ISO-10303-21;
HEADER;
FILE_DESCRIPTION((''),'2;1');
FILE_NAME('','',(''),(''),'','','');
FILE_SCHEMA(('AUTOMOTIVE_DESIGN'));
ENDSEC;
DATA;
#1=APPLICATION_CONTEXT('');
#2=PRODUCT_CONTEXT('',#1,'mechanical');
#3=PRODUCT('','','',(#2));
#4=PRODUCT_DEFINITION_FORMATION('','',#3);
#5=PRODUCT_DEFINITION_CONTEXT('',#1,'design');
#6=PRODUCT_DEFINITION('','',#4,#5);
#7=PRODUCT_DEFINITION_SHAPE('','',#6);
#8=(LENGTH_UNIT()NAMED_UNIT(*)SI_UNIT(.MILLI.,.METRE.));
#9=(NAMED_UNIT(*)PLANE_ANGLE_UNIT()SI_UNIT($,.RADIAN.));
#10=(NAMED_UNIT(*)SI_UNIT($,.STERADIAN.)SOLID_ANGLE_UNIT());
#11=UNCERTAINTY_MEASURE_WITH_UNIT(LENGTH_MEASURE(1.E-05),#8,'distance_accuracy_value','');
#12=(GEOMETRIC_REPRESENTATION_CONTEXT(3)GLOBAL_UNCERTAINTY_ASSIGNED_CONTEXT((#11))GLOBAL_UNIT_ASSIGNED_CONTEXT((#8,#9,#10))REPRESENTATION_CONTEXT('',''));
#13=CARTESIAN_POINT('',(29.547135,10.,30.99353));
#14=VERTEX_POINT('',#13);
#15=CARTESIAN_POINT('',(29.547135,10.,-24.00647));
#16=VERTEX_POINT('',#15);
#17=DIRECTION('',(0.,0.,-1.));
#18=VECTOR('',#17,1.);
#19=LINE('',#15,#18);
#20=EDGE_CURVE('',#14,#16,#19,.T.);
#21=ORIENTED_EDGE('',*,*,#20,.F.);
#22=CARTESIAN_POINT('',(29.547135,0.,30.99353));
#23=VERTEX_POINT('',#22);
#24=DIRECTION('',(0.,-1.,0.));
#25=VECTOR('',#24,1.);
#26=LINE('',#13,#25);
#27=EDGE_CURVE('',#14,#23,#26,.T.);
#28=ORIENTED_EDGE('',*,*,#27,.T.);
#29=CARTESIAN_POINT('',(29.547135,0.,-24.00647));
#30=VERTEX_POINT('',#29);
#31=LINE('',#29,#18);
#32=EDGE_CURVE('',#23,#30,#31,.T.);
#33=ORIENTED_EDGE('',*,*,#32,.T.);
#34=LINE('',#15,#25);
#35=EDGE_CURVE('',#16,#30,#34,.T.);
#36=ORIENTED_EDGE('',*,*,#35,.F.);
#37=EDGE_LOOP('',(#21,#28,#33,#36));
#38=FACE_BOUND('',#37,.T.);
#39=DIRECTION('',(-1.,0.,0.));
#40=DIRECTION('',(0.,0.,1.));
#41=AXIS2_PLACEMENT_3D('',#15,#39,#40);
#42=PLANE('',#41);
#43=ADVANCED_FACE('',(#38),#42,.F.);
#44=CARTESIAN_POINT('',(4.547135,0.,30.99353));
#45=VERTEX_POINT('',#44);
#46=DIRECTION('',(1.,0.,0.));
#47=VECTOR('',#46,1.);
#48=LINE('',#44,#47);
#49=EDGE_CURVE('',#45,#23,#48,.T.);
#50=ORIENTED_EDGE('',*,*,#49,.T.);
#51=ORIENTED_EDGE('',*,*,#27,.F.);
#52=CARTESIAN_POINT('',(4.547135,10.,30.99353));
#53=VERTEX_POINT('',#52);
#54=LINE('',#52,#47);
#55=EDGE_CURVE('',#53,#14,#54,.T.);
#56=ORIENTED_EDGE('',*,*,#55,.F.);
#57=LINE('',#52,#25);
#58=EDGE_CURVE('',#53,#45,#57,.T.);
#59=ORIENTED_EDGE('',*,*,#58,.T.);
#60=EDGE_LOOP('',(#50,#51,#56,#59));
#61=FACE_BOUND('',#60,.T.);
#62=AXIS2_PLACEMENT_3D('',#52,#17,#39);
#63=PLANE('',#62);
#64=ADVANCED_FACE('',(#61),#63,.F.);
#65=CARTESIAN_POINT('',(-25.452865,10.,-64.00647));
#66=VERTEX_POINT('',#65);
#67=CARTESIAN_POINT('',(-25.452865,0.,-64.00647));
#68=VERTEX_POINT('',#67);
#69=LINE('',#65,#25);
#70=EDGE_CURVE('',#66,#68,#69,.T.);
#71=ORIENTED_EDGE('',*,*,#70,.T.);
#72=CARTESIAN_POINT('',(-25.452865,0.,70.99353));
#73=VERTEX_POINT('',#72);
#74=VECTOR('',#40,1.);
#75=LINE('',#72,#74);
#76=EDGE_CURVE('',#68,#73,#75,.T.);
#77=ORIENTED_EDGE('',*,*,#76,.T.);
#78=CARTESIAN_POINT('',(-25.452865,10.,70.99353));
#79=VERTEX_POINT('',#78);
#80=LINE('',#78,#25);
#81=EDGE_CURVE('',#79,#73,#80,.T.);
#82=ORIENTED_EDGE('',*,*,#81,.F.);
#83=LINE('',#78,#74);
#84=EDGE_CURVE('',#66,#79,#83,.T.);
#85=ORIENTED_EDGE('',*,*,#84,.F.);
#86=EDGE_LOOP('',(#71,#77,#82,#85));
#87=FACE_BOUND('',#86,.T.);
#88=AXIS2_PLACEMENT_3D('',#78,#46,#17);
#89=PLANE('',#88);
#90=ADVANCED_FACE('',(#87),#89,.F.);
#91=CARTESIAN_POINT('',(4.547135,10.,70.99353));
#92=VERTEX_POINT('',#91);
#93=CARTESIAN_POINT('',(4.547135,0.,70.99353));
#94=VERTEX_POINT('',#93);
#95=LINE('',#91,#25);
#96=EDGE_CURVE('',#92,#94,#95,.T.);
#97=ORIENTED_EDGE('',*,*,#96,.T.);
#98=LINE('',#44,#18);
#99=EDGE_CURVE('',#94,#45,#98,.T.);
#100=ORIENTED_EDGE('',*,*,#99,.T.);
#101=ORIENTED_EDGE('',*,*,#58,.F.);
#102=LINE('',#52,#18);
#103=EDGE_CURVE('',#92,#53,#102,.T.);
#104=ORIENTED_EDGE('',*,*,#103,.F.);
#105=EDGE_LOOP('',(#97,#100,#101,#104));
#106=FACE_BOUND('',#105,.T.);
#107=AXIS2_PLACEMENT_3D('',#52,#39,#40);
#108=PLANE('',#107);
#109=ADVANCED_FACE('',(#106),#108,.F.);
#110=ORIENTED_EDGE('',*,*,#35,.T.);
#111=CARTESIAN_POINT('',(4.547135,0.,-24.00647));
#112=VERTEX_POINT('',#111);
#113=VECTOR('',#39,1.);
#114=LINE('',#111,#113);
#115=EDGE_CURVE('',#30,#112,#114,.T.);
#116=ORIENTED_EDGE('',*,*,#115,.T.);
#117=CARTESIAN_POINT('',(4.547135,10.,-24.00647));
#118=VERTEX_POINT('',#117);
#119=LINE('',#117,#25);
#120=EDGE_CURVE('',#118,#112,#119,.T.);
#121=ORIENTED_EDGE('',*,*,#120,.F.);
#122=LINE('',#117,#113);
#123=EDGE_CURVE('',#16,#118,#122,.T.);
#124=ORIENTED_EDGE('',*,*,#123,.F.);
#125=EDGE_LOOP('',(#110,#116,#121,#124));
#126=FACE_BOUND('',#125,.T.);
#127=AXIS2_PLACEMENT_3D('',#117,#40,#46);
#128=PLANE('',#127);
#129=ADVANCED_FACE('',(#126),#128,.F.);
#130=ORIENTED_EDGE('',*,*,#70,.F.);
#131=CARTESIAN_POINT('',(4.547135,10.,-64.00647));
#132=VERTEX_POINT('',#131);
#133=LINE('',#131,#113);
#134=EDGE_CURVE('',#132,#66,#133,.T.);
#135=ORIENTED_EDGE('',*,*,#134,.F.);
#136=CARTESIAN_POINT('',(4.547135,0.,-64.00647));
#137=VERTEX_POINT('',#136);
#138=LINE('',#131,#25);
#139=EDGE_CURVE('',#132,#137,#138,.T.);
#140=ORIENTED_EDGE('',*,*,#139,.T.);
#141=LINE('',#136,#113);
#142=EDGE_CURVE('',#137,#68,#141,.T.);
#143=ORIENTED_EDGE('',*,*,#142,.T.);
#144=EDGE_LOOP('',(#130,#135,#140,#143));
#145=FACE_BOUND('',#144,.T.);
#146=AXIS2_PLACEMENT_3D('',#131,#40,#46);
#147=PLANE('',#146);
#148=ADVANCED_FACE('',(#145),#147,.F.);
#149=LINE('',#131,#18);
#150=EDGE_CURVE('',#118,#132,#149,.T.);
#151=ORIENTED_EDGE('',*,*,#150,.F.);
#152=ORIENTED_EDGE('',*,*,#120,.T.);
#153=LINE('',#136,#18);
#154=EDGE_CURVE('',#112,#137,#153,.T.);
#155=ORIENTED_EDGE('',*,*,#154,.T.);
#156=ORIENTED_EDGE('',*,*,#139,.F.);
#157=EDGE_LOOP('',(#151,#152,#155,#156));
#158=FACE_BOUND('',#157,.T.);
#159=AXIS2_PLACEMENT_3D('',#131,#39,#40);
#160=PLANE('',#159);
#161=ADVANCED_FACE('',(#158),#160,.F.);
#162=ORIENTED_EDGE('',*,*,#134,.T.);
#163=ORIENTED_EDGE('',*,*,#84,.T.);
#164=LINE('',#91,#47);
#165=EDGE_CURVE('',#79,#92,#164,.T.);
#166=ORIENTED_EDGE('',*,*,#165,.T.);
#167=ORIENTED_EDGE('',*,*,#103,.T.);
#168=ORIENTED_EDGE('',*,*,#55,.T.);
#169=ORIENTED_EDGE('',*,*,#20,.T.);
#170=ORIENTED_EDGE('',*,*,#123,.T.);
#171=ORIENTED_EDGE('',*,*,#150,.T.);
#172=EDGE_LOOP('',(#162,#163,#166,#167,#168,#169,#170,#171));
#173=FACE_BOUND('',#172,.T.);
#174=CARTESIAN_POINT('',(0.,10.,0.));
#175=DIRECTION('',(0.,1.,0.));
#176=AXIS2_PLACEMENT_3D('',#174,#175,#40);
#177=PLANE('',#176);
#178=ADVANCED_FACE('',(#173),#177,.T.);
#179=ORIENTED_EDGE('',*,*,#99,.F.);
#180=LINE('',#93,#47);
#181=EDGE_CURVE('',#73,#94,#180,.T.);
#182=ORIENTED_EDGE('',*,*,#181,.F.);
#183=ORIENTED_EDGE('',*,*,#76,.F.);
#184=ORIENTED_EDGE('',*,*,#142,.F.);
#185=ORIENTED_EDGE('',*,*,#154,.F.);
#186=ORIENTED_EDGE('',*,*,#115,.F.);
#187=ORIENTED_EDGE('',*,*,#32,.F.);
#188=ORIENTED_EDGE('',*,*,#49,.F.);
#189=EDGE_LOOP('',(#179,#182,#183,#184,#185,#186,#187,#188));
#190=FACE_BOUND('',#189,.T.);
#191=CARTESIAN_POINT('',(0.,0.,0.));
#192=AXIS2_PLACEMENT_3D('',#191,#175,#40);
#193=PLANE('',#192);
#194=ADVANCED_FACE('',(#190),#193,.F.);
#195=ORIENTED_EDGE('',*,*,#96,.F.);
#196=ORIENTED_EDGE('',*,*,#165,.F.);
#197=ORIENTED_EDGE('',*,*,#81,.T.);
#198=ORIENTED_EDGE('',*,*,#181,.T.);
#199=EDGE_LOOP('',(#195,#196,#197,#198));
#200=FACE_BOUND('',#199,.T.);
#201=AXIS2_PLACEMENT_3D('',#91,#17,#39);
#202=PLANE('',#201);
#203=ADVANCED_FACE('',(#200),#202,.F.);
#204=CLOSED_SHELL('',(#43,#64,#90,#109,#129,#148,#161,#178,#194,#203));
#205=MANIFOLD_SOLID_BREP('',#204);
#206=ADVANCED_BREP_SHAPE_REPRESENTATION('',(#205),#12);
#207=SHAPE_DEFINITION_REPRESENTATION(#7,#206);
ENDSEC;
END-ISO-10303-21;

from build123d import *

# Parameters (mm, degrees)
BOSS_EXTRUDE1_DEPTH = 10


with BuildPart() as part:
    # Sketch1 → Boss-Extrude1 (new body)
    with BuildSketch(Plane(origin=(0, 0, 0), x_dir=(1, 0, 0), z_dir=(0, 1, 0))):
        Polygon((4.547134935, 64.006469501), (4.547134935, 24.006469501), (29.547134935, 24.006469501), (29.547134935, -30.993530499), (4.547134935, -30.993530499), (4.547134935, -70.993530499), (-25.452865065, -70.993530499), (-25.452865065, 64.006469501), align=None)
    extrude(amount=BOSS_EXTRUDE1_DEPTH)


solid = part.part
